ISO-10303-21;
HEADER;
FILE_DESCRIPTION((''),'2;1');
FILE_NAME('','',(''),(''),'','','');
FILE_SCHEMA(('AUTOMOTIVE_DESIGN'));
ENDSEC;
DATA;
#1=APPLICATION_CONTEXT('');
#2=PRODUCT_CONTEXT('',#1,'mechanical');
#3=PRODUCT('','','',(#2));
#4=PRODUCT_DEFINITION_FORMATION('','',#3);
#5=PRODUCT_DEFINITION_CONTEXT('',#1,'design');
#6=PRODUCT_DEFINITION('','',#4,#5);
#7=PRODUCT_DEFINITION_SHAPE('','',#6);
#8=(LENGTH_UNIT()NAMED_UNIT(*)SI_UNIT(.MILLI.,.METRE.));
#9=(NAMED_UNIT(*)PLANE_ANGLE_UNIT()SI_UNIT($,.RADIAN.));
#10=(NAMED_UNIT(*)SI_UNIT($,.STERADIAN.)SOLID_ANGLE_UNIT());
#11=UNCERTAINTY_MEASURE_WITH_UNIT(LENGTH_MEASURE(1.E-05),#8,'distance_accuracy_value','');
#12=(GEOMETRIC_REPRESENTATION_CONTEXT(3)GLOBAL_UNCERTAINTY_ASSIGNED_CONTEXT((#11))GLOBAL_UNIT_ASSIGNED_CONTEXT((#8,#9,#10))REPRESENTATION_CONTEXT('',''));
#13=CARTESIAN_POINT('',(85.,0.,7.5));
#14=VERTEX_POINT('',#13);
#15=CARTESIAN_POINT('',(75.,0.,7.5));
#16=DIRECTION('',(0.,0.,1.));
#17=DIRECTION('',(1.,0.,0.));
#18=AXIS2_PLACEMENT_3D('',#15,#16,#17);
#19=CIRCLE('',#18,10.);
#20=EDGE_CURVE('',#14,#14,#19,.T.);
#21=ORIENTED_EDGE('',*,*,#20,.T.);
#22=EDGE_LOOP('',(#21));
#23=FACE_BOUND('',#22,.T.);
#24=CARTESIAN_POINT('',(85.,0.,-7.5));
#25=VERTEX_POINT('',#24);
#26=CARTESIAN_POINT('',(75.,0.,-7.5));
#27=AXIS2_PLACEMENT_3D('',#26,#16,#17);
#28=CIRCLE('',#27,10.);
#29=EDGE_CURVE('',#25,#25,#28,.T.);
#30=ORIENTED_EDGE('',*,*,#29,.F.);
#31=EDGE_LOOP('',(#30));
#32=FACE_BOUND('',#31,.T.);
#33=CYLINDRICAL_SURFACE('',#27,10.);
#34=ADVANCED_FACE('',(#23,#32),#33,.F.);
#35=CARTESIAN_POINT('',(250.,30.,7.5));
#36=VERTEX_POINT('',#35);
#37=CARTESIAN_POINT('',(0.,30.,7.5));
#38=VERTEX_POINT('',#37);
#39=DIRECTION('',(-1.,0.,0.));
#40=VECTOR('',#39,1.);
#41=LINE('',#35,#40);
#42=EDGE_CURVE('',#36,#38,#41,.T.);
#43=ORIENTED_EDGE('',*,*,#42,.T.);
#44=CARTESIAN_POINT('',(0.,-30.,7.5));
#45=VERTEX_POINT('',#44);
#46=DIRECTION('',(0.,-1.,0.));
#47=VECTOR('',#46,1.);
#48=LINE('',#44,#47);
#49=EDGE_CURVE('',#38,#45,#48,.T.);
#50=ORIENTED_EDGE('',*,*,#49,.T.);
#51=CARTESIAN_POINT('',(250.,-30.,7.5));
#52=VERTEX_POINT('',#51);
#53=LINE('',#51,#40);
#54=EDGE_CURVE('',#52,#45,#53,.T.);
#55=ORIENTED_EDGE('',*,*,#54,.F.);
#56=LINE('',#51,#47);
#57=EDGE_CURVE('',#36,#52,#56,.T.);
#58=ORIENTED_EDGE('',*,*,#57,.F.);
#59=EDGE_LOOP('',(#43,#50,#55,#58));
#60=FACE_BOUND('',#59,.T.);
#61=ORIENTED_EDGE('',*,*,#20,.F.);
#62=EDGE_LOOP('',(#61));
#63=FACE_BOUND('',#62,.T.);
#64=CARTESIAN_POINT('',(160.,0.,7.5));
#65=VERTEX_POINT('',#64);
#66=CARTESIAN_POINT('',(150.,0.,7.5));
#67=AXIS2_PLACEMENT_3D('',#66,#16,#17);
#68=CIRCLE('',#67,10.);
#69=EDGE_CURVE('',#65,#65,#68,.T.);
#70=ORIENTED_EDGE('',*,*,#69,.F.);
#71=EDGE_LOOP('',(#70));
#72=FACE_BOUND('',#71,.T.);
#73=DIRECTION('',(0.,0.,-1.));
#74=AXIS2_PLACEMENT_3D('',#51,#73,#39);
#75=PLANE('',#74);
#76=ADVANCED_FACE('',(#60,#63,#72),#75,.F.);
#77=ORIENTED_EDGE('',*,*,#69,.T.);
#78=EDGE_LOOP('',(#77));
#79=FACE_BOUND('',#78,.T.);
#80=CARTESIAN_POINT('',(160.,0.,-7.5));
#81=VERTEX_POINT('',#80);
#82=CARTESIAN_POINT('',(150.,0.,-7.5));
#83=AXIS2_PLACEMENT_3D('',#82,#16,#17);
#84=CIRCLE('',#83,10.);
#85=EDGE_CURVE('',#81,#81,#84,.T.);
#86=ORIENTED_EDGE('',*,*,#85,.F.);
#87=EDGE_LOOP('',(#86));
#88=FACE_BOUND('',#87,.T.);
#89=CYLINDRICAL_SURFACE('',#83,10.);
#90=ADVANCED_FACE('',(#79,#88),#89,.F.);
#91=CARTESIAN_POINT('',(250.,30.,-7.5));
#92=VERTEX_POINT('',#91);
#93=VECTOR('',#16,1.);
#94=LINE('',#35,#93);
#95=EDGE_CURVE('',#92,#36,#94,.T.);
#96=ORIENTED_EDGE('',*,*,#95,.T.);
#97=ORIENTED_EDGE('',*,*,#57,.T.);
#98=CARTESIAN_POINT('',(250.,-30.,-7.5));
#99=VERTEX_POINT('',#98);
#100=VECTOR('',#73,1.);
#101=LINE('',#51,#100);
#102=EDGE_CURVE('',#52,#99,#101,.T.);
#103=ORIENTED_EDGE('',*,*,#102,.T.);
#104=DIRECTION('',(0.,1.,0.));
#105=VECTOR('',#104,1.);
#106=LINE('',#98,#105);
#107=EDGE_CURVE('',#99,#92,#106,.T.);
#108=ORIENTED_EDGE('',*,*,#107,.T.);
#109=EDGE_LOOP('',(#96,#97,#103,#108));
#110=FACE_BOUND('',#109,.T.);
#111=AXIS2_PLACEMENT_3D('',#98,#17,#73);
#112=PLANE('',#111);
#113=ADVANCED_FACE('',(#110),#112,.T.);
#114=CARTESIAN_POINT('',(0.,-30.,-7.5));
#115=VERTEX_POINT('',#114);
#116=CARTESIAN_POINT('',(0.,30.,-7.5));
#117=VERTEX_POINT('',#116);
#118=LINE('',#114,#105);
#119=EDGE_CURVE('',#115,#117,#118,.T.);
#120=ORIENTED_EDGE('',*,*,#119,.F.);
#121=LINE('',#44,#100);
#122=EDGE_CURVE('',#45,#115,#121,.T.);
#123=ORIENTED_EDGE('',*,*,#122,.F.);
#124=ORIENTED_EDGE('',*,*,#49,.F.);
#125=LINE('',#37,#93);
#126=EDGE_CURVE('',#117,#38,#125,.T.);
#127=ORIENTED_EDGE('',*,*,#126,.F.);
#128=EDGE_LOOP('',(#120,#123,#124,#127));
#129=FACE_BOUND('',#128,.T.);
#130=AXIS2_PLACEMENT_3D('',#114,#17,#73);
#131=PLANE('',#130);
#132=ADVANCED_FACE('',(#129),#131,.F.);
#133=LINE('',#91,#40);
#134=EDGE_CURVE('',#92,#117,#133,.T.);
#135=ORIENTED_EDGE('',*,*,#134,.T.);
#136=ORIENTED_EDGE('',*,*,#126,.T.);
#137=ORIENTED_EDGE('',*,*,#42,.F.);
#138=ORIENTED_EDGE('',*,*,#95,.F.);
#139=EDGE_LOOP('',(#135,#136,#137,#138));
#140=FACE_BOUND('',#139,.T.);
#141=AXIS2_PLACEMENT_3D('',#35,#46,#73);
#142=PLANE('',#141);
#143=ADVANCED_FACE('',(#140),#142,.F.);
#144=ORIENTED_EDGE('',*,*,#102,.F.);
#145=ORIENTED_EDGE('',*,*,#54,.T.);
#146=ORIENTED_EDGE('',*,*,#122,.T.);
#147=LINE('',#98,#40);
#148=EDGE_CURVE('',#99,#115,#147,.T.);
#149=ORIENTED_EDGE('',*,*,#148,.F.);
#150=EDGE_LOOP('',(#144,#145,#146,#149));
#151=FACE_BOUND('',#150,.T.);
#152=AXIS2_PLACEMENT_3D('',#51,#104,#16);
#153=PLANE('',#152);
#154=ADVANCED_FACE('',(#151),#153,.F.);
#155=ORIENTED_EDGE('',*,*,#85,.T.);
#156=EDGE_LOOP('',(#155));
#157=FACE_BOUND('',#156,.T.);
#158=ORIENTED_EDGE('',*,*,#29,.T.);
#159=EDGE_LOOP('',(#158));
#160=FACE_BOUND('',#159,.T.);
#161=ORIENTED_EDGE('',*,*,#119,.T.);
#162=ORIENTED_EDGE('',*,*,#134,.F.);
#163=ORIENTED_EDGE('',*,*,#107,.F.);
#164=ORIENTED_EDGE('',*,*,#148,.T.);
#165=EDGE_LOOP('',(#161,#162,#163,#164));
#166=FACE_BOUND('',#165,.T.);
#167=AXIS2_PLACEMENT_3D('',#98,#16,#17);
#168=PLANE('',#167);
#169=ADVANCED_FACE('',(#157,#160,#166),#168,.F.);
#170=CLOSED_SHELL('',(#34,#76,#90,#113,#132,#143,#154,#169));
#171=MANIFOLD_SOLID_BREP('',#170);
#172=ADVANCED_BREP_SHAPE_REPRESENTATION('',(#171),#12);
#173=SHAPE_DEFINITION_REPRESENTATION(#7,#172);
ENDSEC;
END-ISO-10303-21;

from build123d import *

# Parameters (mm, degrees)
PLAT_W                      = 60
PLAT_H                      = 15
EL_MENT_M_CANO_SOUD_1_DEPTH = 250
ESQUISSE2_R                 = 10
ENL_V_MAT_EXTRU_1_DEPTH     = 16


with BuildPart() as part:
    # plat → Elément mécano-soudé1 (new body)
    with BuildSketch(Plane.YZ):
        Rectangle(PLAT_W, PLAT_H)
    extrude(amount=EL_MENT_M_CANO_SOUD_1_DEPTH)

    # Esquisse2 → Enlèv. mat.-Extru.1 (cut, through all)
    with BuildSketch(Plane.XY.offset(7.5)):
        with Locations((150, 0)):
            Circle(ESQUISSE2_R)
        with Locations((75, 0)):
            Circle(ESQUISSE2_R)
    extrude(amount=-ENL_V_MAT_EXTRU_1_DEPTH, mode=Mode.SUBTRACT)


solid = part.part
